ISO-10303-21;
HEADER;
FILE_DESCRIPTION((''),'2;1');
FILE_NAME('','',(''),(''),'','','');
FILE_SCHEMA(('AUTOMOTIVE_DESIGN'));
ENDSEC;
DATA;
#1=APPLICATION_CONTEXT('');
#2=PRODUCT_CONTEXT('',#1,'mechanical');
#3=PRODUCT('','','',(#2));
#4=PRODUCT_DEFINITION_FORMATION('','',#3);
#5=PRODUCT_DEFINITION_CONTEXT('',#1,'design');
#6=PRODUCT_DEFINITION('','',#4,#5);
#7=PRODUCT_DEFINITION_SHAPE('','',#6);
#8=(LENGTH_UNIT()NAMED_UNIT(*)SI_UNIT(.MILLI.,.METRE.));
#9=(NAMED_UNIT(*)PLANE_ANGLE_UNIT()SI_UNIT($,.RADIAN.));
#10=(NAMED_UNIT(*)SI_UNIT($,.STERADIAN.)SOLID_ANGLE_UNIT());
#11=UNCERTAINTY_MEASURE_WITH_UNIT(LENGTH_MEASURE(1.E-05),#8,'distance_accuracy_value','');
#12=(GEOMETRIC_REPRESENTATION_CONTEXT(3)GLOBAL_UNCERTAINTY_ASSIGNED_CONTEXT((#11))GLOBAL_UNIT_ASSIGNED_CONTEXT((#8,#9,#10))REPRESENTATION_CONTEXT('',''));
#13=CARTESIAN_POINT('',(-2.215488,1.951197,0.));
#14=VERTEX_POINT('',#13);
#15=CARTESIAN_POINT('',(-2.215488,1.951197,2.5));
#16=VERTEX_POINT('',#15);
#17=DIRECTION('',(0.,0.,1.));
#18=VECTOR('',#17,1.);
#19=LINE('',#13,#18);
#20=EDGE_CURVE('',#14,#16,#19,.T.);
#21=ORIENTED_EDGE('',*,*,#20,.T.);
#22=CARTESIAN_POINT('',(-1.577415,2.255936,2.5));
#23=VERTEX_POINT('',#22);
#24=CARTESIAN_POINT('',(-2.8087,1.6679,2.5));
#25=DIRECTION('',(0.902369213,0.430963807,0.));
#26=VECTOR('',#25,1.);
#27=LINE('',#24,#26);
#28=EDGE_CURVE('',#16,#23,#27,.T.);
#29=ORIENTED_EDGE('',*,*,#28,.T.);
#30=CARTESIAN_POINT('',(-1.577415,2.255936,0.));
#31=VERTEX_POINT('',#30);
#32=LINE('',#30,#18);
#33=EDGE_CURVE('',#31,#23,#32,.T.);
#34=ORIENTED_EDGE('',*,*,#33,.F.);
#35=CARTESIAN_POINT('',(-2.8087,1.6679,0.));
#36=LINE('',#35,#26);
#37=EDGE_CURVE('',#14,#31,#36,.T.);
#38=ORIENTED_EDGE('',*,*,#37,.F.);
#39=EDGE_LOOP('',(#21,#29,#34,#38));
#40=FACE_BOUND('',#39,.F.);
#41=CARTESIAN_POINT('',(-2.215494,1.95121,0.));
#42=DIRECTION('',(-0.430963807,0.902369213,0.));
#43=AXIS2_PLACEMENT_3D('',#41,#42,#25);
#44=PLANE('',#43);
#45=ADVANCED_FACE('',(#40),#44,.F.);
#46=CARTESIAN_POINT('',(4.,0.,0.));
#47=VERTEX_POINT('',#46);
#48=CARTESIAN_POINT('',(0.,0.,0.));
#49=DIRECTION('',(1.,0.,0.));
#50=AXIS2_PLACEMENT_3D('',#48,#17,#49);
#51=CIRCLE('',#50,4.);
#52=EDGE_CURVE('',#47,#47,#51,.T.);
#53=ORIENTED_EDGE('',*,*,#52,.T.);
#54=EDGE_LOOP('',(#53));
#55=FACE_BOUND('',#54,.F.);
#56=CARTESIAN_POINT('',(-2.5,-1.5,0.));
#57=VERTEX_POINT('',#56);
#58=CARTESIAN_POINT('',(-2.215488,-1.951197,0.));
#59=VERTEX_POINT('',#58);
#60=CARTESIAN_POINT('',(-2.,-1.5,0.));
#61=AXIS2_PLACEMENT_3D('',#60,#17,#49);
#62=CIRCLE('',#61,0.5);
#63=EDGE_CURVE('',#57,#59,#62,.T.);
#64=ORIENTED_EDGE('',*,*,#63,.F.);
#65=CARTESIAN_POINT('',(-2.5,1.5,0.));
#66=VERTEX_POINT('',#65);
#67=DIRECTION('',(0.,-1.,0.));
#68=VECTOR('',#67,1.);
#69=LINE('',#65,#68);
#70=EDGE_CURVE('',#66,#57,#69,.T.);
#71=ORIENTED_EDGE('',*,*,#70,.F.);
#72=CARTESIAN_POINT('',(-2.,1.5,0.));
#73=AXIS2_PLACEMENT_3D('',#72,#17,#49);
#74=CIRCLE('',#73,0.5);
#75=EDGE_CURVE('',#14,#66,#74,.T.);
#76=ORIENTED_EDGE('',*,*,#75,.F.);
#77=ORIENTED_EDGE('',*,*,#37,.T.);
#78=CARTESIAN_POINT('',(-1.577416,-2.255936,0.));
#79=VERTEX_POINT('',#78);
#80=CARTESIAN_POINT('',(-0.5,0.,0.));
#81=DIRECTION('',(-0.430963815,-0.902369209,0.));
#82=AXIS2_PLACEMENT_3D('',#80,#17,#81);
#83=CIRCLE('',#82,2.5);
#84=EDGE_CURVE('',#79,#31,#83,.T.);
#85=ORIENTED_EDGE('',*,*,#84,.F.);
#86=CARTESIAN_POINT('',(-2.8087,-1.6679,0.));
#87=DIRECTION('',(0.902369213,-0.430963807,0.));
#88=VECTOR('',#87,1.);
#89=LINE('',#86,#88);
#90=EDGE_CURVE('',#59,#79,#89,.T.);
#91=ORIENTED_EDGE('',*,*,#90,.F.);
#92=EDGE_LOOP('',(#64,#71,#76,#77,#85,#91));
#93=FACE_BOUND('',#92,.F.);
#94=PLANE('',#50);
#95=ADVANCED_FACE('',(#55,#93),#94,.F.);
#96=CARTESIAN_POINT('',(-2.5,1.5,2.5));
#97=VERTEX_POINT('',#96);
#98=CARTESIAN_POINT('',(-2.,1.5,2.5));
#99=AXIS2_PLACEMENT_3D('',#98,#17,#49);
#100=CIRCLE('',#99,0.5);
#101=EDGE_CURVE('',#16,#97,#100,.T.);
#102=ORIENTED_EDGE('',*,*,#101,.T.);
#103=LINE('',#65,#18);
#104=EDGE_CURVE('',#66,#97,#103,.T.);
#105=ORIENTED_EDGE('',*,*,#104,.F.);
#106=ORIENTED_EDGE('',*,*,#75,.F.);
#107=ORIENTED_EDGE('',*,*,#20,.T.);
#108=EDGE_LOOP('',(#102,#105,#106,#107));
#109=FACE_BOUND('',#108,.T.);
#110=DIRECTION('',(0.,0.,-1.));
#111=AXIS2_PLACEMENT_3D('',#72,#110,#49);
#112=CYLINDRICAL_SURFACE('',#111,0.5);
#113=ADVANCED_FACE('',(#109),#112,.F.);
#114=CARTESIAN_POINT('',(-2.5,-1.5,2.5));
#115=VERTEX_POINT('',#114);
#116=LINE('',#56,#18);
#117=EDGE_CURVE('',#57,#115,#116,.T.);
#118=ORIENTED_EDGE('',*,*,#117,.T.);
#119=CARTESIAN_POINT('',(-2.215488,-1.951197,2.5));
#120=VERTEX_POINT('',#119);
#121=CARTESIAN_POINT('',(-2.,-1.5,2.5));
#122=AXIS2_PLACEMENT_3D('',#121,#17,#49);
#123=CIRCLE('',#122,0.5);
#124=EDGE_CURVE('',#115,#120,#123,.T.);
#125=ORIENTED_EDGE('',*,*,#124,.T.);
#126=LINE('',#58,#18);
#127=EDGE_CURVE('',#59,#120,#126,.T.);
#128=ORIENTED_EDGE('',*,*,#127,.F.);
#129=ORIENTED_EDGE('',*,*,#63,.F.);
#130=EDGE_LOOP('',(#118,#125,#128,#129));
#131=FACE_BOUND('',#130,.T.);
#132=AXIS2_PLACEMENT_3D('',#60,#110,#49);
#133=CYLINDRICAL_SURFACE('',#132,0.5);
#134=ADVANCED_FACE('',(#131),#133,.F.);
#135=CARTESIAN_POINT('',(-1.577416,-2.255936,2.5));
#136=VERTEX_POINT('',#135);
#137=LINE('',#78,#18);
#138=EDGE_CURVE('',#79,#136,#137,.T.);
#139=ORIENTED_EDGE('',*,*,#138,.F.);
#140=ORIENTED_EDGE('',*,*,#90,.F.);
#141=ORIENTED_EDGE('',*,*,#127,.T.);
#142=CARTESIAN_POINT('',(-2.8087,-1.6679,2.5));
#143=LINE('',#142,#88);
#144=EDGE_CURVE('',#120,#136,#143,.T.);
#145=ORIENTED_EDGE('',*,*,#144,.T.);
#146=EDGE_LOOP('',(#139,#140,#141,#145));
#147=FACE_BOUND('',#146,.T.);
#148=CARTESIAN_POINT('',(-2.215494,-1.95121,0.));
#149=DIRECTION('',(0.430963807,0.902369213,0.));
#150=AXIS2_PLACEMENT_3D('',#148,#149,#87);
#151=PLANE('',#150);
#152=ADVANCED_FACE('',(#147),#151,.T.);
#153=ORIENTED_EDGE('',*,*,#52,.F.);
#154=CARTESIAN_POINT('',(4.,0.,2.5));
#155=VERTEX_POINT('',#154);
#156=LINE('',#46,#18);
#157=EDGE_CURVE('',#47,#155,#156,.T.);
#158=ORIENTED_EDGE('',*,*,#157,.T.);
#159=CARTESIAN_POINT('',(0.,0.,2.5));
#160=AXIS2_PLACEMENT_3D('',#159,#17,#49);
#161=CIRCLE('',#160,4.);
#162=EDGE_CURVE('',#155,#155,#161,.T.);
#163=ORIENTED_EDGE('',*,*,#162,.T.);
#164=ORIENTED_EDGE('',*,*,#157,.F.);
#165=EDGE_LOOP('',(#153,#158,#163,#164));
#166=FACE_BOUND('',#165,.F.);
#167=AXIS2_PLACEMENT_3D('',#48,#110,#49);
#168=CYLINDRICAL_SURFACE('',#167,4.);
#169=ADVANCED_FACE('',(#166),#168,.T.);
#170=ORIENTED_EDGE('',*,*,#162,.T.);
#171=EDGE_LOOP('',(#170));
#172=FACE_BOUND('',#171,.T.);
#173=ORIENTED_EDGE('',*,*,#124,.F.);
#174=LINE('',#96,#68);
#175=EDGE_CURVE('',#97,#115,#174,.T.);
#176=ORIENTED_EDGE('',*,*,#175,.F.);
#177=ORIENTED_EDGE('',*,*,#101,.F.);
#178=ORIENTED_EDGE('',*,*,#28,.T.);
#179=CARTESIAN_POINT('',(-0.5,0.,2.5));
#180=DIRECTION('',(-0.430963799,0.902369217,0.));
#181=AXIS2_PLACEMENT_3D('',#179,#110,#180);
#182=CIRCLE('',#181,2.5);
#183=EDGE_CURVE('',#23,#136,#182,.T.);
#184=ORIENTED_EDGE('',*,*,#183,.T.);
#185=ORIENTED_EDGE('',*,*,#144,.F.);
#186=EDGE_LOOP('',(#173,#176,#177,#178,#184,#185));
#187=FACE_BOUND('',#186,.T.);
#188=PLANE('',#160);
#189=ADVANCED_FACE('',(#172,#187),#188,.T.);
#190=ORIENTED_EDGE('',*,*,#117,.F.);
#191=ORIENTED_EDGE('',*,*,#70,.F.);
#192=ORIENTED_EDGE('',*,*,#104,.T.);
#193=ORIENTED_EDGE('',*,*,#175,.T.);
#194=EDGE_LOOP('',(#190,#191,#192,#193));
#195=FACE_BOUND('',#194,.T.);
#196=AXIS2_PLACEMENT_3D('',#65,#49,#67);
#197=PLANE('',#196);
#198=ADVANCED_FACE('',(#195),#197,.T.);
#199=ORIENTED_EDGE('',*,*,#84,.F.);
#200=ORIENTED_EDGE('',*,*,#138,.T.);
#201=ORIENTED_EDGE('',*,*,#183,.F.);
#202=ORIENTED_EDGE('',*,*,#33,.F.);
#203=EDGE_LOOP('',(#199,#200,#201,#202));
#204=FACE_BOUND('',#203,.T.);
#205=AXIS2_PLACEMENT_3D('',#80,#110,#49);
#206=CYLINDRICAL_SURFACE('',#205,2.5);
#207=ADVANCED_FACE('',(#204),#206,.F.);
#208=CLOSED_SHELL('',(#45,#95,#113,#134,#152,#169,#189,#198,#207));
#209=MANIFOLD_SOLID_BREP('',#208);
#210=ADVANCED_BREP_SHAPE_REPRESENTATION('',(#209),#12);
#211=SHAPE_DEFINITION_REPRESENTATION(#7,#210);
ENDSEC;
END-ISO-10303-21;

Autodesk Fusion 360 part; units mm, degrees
sketch "Sketch1" plane through (0, 0, 0) normal (0, 0, 1) x (1, 0, 0)
  circle A0 centre (0, 0) radius 4
  circle A1 centre (-0.5, 0) radius 2.5
  line L0 (-2.5, 1.5) -> (-2.5, -1.5)
  circle A2 centre (-2, 1.5) radius 0.5
  line L1 (-2.8087, 1.6679) -> (-0.6979, 2.676)
  line L2 (-0.5, 0) -> (0, 0)
  line L3 (-2.8087, -1.6679) -> (-0.6979, -2.676)
  circle A3 centre (-2, -1.5) radius 0.5
  dimension "d1" = 8
  dimension "d2" = 5
  dimension "d3" = 0.5
  dimension "d4" = 2
  dimension "d13" = 1
extrude "Extrude3" add sketch "Sketch1" along normal blind 2.5 contours A0 | A1 L0
